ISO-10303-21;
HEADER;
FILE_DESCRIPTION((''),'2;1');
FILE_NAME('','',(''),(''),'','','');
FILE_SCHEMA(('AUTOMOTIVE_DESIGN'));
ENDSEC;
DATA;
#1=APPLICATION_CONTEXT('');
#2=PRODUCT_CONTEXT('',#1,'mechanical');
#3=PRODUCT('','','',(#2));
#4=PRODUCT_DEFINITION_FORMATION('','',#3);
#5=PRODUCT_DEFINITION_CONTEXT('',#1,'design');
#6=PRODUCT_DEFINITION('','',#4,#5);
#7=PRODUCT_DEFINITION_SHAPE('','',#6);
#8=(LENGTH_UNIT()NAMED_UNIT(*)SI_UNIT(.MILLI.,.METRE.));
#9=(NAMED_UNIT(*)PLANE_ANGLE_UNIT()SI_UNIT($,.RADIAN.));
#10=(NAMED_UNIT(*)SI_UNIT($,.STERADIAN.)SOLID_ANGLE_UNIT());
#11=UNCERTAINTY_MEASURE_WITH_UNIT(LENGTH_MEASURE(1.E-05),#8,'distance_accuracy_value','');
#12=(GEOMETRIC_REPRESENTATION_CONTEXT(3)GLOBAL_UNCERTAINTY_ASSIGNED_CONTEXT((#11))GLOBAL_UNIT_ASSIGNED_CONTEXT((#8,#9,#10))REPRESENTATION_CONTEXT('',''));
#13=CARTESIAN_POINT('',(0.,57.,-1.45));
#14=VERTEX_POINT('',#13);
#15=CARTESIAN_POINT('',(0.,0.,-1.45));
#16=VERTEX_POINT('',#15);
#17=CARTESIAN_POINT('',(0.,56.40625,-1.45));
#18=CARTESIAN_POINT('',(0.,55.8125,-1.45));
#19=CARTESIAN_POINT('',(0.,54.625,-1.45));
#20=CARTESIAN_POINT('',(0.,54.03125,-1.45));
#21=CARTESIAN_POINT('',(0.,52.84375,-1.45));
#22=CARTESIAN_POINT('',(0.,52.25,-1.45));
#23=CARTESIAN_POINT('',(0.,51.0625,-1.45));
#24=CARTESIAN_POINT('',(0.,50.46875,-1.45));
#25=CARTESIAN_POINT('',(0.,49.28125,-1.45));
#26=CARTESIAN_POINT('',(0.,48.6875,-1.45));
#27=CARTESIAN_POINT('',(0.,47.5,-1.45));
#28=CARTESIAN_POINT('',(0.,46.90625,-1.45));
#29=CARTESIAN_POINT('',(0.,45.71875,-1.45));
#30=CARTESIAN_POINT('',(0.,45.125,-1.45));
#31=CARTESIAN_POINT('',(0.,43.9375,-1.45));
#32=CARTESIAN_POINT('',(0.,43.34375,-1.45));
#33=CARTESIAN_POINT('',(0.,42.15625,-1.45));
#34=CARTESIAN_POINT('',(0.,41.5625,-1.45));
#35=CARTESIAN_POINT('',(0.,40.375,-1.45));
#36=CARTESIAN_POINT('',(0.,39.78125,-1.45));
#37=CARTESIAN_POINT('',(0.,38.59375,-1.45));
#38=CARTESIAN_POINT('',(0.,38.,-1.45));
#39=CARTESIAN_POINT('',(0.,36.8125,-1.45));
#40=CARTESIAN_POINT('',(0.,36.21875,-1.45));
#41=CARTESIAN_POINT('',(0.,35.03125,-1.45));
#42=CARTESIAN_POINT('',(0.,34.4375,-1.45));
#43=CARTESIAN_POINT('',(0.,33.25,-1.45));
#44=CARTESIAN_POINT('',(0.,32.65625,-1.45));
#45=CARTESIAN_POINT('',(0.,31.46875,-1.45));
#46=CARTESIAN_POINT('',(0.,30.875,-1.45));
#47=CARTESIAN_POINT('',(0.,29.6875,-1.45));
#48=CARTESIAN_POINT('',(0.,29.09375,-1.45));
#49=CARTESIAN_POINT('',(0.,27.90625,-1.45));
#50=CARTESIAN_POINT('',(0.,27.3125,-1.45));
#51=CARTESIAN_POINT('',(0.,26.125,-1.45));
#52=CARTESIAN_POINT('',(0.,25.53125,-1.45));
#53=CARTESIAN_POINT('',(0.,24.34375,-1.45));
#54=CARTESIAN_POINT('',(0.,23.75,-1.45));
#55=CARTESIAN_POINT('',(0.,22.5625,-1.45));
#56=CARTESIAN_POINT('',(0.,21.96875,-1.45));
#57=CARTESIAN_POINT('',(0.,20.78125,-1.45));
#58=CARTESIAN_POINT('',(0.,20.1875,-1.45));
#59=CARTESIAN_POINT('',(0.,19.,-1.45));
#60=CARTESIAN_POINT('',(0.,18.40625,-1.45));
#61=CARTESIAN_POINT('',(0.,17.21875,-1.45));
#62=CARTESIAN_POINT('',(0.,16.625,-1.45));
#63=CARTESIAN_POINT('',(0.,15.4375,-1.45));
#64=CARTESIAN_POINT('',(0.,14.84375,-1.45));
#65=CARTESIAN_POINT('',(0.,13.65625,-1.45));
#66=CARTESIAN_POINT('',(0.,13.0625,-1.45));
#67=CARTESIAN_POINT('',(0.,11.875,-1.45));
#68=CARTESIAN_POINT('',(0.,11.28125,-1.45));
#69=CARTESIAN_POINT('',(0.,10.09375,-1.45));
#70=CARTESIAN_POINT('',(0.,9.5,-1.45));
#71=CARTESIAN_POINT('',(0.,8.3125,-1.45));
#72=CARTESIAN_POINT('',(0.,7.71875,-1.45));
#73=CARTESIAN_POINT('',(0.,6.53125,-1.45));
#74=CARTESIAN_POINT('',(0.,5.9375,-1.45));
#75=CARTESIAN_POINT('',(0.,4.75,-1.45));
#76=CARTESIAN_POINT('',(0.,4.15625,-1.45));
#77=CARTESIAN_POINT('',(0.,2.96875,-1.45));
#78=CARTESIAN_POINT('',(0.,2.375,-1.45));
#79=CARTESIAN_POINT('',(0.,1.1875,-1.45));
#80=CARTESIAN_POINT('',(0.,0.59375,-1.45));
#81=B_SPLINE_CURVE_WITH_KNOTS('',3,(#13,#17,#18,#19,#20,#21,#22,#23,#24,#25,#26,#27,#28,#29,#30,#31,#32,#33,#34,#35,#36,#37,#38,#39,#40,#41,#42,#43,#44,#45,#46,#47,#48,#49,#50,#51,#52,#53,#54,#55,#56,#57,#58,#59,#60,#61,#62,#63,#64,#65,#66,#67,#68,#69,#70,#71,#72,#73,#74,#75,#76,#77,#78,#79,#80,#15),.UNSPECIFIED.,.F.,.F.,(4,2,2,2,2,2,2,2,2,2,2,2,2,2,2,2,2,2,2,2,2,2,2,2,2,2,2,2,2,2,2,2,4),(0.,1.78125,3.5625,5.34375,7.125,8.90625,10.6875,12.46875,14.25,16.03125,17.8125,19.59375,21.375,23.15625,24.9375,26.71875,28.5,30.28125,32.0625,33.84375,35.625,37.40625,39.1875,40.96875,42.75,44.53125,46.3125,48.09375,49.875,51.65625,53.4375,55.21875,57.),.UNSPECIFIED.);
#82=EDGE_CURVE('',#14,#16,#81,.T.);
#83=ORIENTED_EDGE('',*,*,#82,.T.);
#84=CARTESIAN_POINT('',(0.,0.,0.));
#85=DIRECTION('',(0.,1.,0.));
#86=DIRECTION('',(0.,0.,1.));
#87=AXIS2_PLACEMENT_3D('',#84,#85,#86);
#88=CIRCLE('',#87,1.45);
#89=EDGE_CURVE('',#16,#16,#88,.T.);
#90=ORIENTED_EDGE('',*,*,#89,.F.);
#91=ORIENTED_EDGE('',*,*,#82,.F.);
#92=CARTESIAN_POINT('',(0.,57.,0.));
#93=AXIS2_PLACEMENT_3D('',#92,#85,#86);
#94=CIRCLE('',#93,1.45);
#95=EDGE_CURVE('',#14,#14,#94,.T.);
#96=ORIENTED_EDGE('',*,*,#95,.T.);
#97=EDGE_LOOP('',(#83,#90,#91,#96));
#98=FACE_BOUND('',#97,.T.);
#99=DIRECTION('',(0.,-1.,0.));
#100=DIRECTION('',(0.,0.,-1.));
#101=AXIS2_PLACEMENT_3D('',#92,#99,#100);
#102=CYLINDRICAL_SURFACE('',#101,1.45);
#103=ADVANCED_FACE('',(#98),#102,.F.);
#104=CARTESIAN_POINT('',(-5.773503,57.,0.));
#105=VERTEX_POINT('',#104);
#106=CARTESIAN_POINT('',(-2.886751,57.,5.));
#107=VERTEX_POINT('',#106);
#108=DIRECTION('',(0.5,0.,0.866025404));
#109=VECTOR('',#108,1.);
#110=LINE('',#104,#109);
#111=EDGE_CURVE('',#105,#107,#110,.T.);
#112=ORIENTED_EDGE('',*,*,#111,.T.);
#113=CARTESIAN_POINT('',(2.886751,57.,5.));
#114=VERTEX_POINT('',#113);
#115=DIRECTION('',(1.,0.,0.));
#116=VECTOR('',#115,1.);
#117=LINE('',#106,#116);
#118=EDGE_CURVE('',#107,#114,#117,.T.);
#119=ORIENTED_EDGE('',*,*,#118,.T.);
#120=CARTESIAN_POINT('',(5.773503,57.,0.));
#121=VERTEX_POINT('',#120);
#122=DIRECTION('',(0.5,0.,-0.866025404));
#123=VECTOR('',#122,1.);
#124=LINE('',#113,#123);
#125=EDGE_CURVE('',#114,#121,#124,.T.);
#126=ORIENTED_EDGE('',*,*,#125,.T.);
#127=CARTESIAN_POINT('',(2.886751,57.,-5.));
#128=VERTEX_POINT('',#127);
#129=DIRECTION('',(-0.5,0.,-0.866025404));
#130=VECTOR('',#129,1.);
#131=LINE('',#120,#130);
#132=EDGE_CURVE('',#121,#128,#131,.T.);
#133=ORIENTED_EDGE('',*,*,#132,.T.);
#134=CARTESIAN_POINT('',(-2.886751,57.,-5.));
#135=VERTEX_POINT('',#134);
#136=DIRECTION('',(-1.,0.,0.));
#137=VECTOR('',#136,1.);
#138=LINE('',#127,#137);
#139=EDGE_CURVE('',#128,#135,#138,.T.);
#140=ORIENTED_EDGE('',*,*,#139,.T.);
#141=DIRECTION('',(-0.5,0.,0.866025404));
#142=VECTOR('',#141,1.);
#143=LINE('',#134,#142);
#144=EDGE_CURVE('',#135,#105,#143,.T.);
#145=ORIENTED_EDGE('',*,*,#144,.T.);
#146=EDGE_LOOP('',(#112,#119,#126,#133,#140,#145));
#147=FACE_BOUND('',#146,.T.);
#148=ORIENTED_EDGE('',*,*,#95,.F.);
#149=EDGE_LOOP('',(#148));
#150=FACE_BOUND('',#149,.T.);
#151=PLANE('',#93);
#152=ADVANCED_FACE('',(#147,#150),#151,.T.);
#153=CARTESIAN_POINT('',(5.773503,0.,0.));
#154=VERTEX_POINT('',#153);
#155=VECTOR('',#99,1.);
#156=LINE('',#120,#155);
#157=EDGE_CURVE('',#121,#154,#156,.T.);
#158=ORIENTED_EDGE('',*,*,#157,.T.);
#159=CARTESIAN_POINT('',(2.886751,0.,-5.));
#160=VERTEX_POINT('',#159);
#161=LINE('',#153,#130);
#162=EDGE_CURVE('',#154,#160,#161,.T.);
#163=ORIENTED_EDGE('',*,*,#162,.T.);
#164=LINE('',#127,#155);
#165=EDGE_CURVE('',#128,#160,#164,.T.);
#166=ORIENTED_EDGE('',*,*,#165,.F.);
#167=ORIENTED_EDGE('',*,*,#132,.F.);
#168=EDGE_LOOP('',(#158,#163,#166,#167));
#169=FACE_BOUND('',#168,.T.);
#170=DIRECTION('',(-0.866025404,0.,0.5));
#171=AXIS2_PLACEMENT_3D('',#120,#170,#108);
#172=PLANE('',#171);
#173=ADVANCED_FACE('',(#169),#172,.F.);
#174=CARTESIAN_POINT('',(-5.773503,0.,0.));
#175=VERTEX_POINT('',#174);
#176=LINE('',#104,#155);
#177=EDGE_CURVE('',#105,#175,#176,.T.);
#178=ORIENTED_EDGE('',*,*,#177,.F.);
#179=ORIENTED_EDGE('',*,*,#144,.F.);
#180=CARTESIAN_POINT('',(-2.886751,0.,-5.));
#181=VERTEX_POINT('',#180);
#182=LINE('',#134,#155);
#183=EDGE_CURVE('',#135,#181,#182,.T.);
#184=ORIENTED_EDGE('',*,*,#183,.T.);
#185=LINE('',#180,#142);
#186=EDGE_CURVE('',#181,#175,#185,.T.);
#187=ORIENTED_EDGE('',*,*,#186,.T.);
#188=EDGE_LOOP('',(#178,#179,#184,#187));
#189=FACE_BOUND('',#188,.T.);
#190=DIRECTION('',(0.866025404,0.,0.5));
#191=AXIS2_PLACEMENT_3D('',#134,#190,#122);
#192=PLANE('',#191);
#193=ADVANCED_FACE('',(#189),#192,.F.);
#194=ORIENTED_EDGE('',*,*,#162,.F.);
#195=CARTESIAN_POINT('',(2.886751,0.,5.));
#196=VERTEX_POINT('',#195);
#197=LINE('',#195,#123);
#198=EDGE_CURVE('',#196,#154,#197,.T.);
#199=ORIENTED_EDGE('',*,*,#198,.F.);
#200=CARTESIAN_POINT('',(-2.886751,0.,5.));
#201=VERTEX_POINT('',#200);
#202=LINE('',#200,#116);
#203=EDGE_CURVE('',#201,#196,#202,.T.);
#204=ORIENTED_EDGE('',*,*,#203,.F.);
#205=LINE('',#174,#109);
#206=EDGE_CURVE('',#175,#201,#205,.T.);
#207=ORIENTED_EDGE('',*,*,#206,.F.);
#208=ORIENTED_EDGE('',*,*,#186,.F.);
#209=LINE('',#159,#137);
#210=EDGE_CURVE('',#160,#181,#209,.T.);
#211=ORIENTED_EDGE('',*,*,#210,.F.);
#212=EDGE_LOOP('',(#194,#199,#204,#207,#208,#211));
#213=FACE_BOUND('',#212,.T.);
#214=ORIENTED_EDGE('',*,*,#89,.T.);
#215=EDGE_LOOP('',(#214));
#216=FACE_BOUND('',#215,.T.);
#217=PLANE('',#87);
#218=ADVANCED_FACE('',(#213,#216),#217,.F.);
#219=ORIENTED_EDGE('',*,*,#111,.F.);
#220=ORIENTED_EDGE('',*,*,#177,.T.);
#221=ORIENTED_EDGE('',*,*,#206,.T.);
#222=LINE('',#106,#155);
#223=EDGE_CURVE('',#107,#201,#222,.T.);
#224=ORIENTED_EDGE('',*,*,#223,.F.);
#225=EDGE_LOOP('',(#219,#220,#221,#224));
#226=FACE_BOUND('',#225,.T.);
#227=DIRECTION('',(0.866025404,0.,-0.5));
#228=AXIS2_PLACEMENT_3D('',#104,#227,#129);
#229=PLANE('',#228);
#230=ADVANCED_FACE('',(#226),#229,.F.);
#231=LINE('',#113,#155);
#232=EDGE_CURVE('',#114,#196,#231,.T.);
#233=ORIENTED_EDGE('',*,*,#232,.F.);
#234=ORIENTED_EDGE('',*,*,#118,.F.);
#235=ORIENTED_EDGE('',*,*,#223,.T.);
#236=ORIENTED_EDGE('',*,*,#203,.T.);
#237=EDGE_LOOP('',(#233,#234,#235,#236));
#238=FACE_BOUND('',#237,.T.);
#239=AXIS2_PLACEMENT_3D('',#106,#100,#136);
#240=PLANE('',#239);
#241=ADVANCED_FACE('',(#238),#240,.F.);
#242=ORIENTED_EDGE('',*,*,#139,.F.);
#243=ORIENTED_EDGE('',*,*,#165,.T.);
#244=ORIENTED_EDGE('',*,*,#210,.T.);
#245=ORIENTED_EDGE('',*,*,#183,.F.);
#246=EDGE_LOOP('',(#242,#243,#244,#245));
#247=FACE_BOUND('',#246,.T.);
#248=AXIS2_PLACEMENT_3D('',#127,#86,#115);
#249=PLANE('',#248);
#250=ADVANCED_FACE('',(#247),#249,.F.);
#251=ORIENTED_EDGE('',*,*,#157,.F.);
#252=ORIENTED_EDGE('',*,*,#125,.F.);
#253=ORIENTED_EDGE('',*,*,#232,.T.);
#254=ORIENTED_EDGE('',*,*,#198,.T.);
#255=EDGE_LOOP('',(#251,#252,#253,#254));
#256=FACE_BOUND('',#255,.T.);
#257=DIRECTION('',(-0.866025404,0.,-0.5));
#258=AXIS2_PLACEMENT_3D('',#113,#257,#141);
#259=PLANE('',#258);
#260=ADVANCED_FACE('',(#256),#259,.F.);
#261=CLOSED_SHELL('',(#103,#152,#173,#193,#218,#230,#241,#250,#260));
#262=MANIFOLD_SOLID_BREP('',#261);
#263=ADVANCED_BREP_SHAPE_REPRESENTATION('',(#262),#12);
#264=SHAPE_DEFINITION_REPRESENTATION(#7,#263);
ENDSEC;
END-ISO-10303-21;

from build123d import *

# Parameters (mm, degrees)
SKETCH_1_R      = 1.45
EXTRUDE_1_DEPTH = 57


with BuildPart() as part:
    # 草图1 → 凸台-拉伸1 (new body)
    with BuildSketch(Plane(origin=(0, 0, 0), x_dir=(1, 0, 0), z_dir=(0, 1, 0))):
        Polygon((5.773502692, 0), (2.886751346, 5), (-2.886751346, 5), (-5.773502692, 0), (-2.886751346, -5), (2.886751346, -5), align=None)
        with Locations(Location((0, 0, 0), (0, 0, 90))):
            Circle(SKETCH_1_R, mode=Mode.SUBTRACT)
    extrude(amount=EXTRUDE_1_DEPTH)


solid = part.part
